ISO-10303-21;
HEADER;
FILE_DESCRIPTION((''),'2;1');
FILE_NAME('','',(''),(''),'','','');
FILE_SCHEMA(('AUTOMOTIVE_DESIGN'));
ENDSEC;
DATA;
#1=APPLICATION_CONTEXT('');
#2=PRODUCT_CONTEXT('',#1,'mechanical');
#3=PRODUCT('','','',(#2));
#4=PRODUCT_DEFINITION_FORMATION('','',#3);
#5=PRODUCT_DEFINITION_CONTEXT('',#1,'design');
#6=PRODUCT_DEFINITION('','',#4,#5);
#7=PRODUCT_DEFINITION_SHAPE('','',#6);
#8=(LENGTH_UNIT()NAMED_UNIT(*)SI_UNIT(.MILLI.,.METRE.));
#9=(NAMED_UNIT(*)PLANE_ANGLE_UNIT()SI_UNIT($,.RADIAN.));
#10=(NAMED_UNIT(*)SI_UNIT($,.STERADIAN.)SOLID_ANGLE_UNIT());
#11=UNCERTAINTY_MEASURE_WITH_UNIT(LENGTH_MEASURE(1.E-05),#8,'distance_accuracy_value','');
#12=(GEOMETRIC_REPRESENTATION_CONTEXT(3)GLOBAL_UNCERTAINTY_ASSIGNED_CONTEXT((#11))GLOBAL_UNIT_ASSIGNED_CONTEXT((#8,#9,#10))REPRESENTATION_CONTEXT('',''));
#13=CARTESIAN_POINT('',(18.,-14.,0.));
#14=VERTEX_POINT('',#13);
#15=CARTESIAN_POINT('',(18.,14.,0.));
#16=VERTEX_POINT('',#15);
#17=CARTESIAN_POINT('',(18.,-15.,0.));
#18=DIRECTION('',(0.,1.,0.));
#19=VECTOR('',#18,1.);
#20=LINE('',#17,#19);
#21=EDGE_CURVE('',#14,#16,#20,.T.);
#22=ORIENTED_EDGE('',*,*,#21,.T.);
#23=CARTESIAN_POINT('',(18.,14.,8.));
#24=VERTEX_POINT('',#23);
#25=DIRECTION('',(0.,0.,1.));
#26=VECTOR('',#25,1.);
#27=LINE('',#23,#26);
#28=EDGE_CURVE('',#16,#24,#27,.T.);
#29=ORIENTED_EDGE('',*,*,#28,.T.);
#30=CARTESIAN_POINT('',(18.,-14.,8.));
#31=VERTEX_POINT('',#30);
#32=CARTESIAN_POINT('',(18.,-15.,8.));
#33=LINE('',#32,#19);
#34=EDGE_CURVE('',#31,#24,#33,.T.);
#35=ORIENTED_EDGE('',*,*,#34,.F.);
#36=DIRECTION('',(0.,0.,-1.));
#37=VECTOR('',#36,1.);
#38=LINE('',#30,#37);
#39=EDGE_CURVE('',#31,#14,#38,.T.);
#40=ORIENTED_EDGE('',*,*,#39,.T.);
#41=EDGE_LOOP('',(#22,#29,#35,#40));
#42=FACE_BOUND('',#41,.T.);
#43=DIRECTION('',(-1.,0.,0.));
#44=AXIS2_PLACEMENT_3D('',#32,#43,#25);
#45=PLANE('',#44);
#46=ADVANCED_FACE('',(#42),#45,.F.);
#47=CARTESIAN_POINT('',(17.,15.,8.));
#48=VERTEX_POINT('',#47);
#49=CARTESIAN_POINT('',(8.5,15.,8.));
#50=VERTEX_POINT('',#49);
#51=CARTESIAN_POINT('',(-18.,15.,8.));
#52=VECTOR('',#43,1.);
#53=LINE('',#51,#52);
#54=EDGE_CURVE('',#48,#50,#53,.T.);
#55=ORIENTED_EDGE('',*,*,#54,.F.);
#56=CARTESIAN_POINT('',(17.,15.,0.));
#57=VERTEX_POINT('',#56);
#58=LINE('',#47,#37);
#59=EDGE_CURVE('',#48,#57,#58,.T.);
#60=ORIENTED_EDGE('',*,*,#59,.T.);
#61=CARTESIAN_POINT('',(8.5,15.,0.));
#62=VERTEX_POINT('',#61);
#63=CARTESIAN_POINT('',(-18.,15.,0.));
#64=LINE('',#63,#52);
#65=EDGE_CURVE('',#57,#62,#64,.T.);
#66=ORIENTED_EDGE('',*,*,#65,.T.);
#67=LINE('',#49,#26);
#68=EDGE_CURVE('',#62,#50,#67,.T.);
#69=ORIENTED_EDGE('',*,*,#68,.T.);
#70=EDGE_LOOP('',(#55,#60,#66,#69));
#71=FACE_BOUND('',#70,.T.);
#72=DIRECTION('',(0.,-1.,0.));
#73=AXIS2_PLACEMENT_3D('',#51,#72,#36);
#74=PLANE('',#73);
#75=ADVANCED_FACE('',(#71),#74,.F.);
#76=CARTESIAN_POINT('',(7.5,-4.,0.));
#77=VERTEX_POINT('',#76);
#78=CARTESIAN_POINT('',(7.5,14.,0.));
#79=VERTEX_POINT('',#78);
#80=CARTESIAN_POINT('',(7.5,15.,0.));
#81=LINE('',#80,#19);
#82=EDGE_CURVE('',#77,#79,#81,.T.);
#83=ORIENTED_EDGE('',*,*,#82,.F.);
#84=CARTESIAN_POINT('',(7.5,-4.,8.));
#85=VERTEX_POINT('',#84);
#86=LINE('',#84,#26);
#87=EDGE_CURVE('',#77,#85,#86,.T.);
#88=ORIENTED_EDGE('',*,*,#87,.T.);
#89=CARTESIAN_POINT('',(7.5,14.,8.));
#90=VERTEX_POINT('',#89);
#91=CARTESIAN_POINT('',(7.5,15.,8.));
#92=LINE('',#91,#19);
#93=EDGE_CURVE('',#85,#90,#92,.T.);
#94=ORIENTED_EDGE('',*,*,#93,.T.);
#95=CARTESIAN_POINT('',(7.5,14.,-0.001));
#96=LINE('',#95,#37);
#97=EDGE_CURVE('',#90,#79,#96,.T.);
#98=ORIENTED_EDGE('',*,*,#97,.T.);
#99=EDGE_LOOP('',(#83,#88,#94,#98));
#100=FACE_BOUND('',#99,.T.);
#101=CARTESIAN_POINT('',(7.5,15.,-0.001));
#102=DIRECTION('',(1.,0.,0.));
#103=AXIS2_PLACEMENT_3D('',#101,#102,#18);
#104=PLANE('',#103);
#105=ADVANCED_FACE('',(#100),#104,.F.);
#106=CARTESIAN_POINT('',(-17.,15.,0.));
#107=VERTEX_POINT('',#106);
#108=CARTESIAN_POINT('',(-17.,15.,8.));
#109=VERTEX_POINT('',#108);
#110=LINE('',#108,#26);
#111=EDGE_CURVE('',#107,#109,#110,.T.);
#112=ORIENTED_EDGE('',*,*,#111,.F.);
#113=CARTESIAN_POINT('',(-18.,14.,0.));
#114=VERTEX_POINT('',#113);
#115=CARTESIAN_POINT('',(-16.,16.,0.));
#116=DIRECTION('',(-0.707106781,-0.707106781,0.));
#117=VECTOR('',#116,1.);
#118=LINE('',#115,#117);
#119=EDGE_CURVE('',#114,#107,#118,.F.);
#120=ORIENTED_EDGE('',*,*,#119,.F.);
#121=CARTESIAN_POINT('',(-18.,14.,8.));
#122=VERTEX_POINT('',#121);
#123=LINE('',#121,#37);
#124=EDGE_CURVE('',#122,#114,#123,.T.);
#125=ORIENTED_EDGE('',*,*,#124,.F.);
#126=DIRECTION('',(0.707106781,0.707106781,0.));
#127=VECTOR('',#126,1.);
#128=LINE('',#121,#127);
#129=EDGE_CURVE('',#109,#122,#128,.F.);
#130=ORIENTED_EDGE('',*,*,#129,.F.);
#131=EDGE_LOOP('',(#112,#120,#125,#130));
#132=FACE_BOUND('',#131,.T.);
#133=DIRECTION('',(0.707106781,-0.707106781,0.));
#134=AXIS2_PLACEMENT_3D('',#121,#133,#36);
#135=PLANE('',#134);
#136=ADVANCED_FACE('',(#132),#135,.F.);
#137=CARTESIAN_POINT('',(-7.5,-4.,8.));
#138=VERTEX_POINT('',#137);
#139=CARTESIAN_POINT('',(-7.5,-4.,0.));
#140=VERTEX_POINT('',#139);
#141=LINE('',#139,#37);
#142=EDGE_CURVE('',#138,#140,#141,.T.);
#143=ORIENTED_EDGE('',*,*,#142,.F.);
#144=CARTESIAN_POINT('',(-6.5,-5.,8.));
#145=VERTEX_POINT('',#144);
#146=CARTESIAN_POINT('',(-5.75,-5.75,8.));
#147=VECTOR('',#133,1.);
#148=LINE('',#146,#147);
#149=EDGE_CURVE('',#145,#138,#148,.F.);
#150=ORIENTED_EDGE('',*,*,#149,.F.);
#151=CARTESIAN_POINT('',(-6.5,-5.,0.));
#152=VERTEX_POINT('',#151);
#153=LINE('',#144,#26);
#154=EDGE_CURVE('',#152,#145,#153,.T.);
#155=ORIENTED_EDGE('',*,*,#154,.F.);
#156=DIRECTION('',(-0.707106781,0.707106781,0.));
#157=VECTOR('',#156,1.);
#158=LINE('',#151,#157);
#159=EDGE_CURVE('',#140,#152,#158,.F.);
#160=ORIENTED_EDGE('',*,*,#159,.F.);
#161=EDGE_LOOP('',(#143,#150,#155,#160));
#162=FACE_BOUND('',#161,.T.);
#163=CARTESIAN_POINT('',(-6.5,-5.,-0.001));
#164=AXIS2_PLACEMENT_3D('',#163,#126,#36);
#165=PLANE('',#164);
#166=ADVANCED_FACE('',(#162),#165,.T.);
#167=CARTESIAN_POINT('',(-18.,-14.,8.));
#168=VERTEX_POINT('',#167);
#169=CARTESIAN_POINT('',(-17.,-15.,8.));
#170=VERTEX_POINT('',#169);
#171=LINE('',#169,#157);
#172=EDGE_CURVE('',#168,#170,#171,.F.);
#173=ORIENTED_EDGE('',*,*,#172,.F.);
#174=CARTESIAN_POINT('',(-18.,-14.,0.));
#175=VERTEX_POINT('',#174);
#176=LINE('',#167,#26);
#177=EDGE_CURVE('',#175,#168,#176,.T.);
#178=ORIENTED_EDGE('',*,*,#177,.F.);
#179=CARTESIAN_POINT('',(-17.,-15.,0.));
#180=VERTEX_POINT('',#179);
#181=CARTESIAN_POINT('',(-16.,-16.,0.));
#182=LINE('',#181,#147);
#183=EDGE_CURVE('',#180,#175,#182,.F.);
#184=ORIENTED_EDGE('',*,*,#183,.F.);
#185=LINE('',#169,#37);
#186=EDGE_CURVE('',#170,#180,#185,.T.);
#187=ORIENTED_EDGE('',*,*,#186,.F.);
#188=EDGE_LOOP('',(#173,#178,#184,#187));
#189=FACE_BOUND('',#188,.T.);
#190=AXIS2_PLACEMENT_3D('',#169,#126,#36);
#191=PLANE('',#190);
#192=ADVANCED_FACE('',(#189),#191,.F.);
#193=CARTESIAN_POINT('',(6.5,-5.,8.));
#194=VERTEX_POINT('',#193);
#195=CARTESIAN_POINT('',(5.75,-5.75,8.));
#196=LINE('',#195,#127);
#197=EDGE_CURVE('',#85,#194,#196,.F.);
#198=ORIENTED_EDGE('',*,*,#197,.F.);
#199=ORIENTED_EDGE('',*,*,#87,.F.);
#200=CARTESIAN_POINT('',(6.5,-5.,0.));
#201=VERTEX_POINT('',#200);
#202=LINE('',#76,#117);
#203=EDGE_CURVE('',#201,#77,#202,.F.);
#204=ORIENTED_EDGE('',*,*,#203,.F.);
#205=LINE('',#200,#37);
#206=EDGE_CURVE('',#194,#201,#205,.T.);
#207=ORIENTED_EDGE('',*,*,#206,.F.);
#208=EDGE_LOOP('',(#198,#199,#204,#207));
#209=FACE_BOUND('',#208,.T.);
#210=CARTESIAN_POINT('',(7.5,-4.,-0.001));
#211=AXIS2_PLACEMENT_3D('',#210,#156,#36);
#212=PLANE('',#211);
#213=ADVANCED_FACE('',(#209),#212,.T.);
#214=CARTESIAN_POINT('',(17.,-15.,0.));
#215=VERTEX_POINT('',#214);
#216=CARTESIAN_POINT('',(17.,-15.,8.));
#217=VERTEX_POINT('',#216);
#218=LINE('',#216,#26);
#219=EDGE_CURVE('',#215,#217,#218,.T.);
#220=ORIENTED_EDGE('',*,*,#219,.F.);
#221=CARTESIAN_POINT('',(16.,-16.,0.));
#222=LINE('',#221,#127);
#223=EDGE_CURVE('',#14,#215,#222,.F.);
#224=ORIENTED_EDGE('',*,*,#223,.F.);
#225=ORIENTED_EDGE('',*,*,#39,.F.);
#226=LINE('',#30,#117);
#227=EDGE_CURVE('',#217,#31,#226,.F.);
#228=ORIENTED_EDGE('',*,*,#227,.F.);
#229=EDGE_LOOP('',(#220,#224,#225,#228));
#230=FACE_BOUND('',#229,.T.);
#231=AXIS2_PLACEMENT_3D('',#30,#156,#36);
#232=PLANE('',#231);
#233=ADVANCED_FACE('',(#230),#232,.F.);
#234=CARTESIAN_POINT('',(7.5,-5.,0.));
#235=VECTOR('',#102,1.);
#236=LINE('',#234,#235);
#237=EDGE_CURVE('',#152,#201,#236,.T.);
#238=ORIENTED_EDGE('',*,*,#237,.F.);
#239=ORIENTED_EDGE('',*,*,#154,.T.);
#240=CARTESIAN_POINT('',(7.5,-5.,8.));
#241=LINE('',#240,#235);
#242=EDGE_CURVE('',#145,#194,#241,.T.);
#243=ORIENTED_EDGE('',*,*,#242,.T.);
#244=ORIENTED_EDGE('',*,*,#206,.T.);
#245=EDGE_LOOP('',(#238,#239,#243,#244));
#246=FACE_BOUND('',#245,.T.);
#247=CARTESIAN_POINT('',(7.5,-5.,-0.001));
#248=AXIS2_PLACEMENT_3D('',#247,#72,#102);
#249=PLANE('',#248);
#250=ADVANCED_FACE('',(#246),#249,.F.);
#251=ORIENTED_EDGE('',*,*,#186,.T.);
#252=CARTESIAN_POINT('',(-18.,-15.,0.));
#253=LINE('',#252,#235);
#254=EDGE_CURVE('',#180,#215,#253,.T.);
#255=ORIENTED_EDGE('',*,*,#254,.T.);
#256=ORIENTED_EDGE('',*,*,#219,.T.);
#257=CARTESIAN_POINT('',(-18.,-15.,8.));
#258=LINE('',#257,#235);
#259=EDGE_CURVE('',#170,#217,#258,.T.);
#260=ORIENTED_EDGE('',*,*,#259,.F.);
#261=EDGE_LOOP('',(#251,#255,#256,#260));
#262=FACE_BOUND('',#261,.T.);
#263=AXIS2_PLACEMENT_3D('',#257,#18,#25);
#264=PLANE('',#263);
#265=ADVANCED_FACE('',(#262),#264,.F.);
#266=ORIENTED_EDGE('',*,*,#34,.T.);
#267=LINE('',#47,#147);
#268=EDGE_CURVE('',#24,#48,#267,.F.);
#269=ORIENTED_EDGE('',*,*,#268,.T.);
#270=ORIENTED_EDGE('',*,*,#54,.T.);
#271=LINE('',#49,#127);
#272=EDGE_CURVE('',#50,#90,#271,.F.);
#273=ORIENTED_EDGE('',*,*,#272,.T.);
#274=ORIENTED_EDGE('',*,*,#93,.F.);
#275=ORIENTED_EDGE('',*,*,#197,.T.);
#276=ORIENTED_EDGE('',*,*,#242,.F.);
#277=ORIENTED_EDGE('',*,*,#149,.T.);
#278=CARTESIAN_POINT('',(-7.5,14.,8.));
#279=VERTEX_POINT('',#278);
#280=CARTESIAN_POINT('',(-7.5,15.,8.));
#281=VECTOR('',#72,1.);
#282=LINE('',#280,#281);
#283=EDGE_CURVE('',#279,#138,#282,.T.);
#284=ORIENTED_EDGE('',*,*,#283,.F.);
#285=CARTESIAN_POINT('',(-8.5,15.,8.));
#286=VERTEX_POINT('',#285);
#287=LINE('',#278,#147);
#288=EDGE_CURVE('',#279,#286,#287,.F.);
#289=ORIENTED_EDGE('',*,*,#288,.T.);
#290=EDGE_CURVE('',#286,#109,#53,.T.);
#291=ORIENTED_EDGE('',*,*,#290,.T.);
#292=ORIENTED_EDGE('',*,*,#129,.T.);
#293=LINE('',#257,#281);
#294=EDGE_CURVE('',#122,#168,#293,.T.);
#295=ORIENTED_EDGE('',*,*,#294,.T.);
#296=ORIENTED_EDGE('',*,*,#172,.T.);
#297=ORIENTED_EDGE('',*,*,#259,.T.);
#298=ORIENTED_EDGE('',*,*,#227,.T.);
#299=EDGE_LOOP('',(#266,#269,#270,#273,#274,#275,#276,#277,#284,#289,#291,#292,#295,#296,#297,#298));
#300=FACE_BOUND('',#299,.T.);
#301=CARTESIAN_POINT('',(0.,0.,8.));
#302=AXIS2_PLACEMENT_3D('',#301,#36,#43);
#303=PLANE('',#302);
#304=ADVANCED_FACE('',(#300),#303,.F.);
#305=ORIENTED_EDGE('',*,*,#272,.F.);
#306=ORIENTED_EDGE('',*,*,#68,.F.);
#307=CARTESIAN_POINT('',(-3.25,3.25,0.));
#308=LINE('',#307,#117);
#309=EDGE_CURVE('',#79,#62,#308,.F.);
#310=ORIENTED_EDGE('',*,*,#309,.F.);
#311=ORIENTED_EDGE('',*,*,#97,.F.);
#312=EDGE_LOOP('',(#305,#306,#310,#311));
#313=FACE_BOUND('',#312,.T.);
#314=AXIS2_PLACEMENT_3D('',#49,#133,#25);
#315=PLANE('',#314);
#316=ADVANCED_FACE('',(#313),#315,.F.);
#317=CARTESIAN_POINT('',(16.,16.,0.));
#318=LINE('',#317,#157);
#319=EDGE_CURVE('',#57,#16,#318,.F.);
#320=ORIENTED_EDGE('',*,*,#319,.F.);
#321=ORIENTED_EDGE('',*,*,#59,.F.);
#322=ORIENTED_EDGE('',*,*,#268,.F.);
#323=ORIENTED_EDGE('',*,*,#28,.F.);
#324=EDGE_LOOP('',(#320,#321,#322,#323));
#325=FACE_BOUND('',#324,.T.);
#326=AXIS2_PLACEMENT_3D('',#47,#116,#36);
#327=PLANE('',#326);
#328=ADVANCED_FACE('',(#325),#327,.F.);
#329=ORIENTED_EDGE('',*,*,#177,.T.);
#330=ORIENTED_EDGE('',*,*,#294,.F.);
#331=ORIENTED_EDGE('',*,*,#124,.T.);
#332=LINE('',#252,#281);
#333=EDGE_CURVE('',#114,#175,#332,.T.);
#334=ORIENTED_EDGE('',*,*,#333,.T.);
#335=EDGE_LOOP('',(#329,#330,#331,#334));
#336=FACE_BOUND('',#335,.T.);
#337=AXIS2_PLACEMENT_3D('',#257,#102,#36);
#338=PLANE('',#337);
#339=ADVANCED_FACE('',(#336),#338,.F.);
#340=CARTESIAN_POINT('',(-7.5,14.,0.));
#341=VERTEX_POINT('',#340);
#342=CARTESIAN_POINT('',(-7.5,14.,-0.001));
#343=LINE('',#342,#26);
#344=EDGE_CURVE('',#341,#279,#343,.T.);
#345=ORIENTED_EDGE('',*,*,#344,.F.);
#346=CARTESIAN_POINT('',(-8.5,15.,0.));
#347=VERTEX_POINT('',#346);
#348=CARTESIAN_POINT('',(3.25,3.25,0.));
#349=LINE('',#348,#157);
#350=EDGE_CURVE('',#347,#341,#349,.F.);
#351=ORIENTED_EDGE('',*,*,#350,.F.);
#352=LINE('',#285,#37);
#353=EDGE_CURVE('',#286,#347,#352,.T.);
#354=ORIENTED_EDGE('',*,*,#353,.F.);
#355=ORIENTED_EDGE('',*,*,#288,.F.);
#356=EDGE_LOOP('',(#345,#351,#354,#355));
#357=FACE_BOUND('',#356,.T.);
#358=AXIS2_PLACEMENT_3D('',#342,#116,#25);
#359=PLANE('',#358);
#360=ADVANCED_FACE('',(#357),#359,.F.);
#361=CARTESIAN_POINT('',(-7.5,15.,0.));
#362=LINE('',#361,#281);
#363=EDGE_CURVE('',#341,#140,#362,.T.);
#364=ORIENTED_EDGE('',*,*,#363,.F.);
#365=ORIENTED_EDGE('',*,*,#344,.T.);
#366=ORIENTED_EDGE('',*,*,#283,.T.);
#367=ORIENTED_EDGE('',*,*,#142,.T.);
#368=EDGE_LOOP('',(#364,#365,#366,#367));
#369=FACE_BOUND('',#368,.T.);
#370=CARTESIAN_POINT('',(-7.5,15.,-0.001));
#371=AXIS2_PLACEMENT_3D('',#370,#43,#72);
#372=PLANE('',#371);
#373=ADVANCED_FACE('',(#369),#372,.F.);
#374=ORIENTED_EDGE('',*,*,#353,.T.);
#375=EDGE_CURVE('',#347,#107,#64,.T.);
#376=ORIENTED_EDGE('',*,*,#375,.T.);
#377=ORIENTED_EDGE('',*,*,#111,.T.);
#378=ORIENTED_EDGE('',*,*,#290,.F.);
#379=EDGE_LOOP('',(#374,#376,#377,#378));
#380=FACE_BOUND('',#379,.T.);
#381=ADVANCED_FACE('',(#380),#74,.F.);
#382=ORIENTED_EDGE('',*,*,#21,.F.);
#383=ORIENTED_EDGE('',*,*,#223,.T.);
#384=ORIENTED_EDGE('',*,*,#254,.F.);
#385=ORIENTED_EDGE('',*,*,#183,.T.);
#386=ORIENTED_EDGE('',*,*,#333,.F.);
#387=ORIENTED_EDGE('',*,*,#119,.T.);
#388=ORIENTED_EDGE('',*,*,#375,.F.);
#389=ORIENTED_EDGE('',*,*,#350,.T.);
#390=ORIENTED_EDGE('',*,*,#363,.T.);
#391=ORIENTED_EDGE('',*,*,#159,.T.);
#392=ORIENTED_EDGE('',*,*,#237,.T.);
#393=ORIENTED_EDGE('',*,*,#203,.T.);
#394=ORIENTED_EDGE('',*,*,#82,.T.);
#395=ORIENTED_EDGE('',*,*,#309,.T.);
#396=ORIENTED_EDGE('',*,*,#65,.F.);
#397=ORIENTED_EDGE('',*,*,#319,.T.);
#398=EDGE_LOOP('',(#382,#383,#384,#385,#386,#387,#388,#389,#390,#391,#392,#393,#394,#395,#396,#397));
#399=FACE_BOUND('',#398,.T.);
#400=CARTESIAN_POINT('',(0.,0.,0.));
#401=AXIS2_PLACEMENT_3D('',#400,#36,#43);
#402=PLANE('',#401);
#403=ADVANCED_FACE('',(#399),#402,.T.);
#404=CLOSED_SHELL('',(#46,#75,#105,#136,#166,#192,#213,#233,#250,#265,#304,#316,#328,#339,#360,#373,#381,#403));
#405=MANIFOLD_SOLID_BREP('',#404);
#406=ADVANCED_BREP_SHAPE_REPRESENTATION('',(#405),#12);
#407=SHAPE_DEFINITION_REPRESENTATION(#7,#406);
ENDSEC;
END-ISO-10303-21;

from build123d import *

# Parameters (mm, degrees)
SKETCH_1_W          = 36
SKETCH_1_H          = 30
EXTRUDE_1_DEPTH     = 8
CUT_EXTRUDE_1_REACH = 26.759
SKETCH_9_W          = 15
SKETCH_9_H          = 20
CHAMFER_1_SIZE      = 1
CHAMFER_2_SIZE      = 1
CHAMFER_3_SIZE      = 1


with BuildPart() as part:
    # 草图1 → 凸台-拉伸1 (new body)
    with BuildSketch(Plane.XY):
        Rectangle(SKETCH_1_W, SKETCH_1_H)
    extrude(amount=EXTRUDE_1_DEPTH)

    # 草图9 → 切除-拉伸1 (cut, up to next)
    with BuildSketch(Plane.XY.offset(8), mode=Mode.PRIVATE) as cut_extrude_1_sk1:
        with Locations((0, 5)):
            Rectangle(SKETCH_9_W, SKETCH_9_H)
    cut_extrude_1_tool1 = extrude(cut_extrude_1_sk1.sketch, amount=-CUT_EXTRUDE_1_REACH, mode=Mode.PRIVATE) & part.part
    add(cut_extrude_1_tool1.solids().sort_by_distance((0, 5, 8))[0], mode=Mode.SUBTRACT)

    # 倒角1
    chamfer_1_edges = [part.edges().sort_by_distance(p)[0] for p in [
        (18, -15, 4),
        (-18, -15, 4),
        (-18, 15, 4),
        (18, 15, 4),
    ]]
    chamfer(chamfer_1_edges, length=CHAMFER_1_SIZE)

    # 倒角2
    chamfer_2_edges = [part.edges().sort_by_distance(p)[0] for p in [
        (-7.5, 15, 4),
        (7.5, 15, 4),
    ]]
    chamfer(chamfer_2_edges, length=CHAMFER_2_SIZE)

    # 倒角3
    chamfer_3_edges = [part.edges().sort_by_distance(p)[0] for p in [
        (7.5, -5, 4),
        (-7.5, -5, 4),
    ]]
    chamfer(chamfer_3_edges, length=CHAMFER_3_SIZE)


solid = part.part
